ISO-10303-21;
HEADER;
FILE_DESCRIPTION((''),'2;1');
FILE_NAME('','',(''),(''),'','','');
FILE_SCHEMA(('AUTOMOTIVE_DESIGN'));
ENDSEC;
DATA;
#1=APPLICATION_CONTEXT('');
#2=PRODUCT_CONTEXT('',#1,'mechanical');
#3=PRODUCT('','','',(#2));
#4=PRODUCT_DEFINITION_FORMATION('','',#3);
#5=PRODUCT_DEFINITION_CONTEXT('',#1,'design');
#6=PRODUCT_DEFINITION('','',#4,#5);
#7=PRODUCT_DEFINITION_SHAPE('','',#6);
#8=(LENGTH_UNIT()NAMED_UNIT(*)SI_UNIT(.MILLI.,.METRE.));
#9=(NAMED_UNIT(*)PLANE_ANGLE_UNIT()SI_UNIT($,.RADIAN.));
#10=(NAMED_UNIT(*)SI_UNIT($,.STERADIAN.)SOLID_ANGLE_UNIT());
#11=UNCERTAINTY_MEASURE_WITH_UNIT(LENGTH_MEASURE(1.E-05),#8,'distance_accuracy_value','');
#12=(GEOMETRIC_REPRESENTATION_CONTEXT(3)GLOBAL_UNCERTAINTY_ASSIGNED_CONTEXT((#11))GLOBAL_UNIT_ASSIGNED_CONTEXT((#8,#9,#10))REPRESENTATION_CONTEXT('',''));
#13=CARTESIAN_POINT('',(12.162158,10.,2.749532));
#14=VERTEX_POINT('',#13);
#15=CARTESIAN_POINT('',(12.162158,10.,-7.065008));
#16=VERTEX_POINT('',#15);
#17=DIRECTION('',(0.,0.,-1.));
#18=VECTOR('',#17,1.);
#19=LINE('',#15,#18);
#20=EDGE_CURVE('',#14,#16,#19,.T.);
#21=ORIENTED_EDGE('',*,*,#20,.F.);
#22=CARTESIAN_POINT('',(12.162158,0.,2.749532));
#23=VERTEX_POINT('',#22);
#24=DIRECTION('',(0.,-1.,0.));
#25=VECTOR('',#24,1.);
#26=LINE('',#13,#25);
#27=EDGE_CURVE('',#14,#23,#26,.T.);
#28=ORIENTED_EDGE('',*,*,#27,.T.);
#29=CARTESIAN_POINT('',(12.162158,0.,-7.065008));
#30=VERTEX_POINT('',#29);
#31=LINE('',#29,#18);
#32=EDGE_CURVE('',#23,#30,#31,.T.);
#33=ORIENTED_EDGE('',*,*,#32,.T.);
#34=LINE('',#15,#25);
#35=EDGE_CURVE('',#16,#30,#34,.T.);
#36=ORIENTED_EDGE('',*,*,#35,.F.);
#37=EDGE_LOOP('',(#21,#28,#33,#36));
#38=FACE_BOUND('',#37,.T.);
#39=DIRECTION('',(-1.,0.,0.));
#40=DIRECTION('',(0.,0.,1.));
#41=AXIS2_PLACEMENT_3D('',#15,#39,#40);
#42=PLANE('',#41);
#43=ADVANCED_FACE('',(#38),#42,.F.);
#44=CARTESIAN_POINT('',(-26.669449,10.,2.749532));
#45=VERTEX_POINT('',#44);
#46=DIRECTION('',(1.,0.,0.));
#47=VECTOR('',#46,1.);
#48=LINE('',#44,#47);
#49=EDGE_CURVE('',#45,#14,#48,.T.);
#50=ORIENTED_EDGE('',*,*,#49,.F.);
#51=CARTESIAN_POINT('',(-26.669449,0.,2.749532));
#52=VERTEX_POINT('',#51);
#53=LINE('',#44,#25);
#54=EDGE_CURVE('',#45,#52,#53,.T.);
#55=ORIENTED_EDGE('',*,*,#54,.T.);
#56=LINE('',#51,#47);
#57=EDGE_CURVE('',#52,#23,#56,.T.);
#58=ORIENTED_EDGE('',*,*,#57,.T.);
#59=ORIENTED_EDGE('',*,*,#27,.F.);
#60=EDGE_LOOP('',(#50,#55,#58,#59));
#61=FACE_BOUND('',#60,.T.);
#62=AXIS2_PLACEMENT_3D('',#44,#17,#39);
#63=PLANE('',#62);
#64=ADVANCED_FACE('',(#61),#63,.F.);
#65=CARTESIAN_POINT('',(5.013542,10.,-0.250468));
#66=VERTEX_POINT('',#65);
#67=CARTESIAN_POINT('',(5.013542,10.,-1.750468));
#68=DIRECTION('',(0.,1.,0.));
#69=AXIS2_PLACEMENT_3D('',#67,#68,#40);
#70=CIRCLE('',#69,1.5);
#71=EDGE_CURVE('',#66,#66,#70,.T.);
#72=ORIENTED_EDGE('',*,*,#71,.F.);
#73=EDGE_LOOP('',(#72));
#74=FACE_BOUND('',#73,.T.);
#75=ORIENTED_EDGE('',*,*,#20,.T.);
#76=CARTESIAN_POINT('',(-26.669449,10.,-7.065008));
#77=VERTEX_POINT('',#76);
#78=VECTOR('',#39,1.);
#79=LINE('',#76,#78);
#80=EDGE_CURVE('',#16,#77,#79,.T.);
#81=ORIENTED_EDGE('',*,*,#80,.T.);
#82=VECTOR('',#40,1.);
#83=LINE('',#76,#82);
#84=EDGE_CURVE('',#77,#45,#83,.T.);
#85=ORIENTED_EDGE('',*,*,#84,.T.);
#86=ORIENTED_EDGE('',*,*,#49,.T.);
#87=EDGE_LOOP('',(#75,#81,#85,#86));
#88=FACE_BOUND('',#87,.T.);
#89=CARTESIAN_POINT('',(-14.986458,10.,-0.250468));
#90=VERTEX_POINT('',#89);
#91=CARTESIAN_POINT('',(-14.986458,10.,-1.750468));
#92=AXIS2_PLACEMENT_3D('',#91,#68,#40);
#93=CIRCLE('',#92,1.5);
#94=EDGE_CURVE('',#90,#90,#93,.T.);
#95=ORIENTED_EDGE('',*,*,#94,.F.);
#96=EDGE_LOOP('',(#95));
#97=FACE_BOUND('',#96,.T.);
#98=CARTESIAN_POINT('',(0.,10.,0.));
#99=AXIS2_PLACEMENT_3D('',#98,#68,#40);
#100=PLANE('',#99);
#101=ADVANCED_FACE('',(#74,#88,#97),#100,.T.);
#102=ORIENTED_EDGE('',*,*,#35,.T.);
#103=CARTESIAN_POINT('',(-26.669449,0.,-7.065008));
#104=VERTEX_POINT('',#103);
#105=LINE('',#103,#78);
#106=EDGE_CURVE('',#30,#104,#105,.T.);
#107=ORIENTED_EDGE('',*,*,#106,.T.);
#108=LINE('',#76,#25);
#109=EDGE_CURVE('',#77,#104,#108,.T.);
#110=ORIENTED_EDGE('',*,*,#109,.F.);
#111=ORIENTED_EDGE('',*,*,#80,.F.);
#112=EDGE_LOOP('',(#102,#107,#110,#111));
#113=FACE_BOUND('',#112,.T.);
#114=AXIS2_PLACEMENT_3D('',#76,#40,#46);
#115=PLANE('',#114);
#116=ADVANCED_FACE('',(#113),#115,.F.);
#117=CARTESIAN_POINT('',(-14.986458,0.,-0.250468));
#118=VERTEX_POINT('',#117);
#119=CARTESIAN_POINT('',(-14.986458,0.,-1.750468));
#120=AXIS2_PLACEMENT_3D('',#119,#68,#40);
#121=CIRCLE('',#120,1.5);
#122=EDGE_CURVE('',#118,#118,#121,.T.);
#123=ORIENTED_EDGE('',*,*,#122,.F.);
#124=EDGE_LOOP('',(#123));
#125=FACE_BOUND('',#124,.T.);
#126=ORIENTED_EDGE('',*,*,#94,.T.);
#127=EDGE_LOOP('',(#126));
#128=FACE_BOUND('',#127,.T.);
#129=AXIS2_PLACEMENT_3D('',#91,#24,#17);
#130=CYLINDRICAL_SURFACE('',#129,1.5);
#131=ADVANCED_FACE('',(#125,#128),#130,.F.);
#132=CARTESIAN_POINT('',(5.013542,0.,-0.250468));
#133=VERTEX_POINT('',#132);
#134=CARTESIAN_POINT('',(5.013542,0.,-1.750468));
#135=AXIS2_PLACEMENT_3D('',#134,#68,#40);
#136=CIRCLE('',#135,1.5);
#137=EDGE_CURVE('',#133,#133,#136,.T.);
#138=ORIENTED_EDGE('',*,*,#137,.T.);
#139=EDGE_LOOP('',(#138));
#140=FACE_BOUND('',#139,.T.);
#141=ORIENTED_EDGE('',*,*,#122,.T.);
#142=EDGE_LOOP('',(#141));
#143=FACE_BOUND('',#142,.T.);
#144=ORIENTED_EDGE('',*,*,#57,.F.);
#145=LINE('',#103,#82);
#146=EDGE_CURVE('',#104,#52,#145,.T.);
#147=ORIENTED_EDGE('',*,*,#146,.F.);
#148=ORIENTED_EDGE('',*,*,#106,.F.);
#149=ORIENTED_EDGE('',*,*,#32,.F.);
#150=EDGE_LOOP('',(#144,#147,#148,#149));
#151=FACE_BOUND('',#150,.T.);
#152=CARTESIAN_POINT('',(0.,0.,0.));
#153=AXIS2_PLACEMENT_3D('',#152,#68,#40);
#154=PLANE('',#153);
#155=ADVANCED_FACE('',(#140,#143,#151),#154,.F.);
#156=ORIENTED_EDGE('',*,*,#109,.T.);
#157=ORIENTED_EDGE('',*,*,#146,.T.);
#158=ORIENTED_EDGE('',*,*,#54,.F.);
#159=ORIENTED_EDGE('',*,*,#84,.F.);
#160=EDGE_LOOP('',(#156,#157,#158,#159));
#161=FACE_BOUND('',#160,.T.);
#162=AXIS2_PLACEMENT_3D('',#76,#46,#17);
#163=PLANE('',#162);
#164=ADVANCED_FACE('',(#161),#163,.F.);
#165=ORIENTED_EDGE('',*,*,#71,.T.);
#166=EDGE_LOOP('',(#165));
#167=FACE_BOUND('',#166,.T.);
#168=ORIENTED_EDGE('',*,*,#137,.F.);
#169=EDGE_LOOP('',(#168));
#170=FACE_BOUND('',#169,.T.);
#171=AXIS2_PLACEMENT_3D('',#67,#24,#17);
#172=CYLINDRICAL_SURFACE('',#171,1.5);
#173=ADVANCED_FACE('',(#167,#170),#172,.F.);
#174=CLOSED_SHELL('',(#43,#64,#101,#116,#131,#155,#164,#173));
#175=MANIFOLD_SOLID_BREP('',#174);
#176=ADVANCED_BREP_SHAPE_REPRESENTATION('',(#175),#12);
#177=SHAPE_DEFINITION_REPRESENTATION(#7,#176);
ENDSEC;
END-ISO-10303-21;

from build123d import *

# Parameters (mm, degrees)
SKETCH_1_W      = 38.83160715
SKETCH_1_H      = 9.814539481
SKETCH_1_R      = 1.5
EXTRUDE_1_DEPTH = 10


with BuildPart() as part:
    # 草图1 → 凸台-拉伸1 (new body)
    with BuildSketch(Plane(origin=(0, 0, 0), x_dir=(1, 0, 0), z_dir=(0, 1, 0))):
        with Locations((-7.25364565, 2.157738155)):
            Rectangle(SKETCH_1_W, SKETCH_1_H)
        with Locations(Location((-14.986457872, 1.750468415, 0), (0, 0, 270))):
            Circle(SKETCH_1_R, mode=Mode.SUBTRACT)
        with Locations(Location((5.013542128, 1.750468415, 0), (0, 0, 270))):
            Circle(SKETCH_1_R, mode=Mode.SUBTRACT)
    extrude(amount=EXTRUDE_1_DEPTH)


solid = part.part
